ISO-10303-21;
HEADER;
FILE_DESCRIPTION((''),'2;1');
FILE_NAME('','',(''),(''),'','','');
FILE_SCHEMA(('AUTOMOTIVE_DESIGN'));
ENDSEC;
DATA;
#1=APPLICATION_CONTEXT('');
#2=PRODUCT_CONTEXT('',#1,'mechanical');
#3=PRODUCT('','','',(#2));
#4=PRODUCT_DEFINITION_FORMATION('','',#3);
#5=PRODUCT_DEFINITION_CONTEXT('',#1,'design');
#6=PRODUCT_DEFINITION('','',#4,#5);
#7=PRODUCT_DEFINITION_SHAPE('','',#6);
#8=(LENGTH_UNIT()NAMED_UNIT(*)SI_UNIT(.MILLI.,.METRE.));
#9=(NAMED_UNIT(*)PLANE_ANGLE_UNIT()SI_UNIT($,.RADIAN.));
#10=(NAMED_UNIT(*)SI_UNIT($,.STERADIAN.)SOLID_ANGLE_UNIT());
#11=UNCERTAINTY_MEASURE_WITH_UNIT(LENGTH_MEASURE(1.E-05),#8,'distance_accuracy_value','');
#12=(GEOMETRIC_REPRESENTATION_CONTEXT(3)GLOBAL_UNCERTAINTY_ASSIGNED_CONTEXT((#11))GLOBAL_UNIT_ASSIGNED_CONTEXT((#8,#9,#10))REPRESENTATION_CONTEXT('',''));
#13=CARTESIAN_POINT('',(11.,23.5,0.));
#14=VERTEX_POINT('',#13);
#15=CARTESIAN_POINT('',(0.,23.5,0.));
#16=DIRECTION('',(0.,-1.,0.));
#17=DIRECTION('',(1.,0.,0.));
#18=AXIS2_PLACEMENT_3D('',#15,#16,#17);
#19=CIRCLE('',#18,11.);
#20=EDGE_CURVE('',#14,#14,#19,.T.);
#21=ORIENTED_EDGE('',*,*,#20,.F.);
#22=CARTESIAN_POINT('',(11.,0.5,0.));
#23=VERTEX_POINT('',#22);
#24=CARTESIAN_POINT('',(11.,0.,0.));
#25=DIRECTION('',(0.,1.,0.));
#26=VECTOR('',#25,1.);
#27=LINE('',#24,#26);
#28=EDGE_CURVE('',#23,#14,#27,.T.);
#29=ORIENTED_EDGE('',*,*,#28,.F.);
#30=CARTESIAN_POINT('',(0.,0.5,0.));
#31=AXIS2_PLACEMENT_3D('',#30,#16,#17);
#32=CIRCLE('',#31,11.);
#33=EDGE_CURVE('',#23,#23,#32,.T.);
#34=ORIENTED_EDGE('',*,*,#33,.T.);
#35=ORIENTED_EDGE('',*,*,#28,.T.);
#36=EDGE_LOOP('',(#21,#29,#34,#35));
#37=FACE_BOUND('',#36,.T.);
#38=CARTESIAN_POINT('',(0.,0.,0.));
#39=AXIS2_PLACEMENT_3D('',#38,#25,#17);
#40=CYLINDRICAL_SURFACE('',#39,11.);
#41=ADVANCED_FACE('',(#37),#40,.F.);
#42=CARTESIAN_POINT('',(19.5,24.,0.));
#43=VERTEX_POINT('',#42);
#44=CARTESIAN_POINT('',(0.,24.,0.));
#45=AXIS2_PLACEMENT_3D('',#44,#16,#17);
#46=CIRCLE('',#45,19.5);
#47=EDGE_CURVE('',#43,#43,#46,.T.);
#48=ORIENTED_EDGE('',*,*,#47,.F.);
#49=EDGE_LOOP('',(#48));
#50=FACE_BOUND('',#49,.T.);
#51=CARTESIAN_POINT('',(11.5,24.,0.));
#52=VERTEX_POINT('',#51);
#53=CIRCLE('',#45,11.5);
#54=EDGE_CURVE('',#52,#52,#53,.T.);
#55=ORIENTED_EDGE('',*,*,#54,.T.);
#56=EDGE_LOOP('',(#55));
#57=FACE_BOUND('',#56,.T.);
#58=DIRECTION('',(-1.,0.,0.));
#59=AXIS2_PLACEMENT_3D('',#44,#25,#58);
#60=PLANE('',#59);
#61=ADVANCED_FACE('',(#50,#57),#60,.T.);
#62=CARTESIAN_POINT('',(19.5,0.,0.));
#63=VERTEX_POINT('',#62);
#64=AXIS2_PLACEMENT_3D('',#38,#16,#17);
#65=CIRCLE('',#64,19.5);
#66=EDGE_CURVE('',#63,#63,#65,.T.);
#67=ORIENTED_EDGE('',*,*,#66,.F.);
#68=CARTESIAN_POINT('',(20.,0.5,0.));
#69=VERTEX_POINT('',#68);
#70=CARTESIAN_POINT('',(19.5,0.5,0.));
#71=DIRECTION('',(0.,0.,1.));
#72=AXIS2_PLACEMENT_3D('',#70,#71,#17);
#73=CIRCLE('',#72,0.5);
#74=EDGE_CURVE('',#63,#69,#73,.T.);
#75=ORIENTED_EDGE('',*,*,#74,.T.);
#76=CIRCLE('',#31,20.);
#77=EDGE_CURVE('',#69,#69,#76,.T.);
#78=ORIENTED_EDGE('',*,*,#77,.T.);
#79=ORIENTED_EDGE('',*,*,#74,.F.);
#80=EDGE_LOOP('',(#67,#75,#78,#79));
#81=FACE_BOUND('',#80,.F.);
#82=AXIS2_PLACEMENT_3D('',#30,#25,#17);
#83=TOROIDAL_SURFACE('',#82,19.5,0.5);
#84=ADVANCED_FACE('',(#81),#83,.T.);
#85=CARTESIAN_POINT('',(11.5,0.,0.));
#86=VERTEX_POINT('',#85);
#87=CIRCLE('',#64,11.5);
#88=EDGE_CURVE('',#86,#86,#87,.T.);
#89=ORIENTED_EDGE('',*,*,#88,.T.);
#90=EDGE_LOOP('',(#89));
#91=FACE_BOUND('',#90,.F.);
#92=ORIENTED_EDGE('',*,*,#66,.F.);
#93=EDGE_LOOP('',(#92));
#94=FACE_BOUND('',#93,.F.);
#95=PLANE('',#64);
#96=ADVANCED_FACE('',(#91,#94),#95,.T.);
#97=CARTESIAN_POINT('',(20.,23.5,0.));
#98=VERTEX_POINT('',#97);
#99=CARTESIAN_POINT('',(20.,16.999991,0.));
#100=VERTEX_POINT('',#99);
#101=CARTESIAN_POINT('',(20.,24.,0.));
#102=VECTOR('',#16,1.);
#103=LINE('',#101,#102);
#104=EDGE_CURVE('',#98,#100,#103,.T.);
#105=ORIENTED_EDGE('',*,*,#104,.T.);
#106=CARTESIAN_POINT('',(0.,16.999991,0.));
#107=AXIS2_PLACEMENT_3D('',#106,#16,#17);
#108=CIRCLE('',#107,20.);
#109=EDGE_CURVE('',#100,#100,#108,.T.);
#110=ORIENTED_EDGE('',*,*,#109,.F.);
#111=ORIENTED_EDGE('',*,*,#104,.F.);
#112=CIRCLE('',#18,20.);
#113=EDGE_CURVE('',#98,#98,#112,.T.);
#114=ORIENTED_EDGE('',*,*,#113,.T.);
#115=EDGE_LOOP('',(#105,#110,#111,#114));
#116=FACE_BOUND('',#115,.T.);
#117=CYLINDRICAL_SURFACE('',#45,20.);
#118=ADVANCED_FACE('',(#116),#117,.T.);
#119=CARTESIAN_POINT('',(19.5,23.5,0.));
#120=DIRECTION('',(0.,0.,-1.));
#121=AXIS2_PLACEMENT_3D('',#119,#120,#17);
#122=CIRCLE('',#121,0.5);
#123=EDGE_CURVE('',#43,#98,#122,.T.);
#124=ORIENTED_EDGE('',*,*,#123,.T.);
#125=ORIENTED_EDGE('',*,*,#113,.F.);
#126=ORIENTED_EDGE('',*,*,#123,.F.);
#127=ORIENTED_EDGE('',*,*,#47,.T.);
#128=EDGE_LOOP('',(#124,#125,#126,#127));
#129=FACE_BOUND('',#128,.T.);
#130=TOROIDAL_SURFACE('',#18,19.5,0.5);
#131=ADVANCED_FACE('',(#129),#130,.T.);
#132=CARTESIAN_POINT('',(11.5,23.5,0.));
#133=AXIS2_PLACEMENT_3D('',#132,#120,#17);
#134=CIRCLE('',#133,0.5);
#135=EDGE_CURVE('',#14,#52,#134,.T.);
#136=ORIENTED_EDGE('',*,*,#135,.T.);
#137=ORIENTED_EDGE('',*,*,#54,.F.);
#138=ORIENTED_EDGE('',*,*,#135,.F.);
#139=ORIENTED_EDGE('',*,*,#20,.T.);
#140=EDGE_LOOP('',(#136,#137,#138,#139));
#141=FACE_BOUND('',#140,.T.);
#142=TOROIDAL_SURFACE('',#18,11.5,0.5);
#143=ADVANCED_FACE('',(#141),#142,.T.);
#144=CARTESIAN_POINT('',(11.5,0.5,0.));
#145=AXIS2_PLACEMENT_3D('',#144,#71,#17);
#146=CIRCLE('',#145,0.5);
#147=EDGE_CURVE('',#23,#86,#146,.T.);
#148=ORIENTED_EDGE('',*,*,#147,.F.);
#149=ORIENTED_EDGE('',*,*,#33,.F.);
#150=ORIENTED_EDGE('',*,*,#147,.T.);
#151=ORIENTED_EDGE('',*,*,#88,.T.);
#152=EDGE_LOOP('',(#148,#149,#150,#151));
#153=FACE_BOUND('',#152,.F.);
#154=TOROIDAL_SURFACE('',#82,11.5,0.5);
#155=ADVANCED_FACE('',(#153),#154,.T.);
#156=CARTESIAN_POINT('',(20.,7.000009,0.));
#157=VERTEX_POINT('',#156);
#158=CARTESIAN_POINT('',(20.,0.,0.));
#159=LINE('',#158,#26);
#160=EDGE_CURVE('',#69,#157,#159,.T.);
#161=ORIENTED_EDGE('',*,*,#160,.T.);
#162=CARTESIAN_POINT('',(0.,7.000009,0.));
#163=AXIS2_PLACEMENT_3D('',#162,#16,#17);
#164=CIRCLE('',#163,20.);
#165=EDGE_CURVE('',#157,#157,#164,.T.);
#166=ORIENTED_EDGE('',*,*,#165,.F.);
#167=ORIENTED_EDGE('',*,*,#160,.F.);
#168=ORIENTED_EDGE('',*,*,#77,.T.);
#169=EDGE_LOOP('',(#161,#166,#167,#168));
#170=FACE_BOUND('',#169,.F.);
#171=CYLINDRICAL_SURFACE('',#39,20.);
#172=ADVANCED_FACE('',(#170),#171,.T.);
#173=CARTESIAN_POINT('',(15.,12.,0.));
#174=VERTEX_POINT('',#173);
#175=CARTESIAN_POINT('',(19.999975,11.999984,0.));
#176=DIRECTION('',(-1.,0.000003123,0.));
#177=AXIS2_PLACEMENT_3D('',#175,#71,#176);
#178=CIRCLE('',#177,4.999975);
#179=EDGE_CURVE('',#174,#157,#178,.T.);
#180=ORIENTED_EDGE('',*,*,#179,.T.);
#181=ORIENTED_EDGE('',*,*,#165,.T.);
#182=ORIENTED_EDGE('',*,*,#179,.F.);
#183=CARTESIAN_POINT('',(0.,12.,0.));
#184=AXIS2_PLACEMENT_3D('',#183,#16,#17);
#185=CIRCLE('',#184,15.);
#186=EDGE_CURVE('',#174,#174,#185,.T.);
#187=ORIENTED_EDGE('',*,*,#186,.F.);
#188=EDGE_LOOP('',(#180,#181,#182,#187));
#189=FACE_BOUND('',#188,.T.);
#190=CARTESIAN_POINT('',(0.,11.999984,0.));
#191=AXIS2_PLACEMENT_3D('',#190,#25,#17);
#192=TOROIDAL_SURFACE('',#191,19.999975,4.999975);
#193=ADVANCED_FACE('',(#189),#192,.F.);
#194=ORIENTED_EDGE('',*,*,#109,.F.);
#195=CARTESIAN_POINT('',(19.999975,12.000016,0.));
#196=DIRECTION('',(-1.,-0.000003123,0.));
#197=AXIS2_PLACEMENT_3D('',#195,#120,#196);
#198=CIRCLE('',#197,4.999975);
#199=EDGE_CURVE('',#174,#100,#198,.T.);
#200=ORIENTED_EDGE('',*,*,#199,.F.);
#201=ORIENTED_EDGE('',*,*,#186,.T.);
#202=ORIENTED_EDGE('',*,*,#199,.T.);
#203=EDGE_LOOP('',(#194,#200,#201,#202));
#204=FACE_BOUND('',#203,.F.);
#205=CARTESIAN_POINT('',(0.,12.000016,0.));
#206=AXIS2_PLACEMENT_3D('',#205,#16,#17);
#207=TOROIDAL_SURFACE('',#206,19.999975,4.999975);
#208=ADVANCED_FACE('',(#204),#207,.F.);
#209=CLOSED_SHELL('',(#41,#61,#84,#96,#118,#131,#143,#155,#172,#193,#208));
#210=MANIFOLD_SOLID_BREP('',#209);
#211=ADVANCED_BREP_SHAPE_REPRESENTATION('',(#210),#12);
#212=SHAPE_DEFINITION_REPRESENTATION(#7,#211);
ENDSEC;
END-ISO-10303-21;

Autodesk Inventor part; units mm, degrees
ref_plane "YZ Plane" through (0, 0, 0) normal (1, 0, 0) x (0, 1, 0)
ref_plane "XZ Plane" through (0, 0, 0) normal (0, 1, 0) x (-1, 0, 0)
ref_plane "XY Plane" through (0, 0, 0) normal (0, 0, 1) x (1, 0, 0)
sketch "Sketch1" plane through (0, 0, 0) normal (0, 0, 1) x (1, 0, 0)
  line L0 (0, 0) -> (20, 0)
  line L1 (20, 0) -> (20, 12)
  line L2 (20, 12) -> (0, 12)
  line L3 (0, 12) -> (0, 0)
  line L4 (0, 0) -> (11, 0)
  line L5 (11, 0) -> (11, 12)
  line L6 (11, 12) -> (0, 12)
  line L7 (0, 12) -> (0, 0)
  line L8 (20, 12) -> (20, 12)
  arc A0 (15, 12) -> (23.1054, 8.0813) centre (20, 12) ccw
  point P0 (20, 7)
  dimension "d0" = 20
  dimension "d1" = 12
  dimension "d2" = 11
  dimension "d3" = 0
  dimension "d4" = 5
revolve "Revolution1" add sketch "Sketch1" angle 360 about axis through (0, 12, 0) along (0, -1, 0) contours L5 L2 A0 L1 L0
mirror "Mirror1" about plane through (15, 12, 0) normal (0, 1, 0) of "Revolution1"
fillet "Fillet1" radius 0.5 4 edges at (-20, 0, 0) (-11, 0, 0) (-20, 24, 0) (-11, 24, 0)
properties part number "DriveWheelHalf"
